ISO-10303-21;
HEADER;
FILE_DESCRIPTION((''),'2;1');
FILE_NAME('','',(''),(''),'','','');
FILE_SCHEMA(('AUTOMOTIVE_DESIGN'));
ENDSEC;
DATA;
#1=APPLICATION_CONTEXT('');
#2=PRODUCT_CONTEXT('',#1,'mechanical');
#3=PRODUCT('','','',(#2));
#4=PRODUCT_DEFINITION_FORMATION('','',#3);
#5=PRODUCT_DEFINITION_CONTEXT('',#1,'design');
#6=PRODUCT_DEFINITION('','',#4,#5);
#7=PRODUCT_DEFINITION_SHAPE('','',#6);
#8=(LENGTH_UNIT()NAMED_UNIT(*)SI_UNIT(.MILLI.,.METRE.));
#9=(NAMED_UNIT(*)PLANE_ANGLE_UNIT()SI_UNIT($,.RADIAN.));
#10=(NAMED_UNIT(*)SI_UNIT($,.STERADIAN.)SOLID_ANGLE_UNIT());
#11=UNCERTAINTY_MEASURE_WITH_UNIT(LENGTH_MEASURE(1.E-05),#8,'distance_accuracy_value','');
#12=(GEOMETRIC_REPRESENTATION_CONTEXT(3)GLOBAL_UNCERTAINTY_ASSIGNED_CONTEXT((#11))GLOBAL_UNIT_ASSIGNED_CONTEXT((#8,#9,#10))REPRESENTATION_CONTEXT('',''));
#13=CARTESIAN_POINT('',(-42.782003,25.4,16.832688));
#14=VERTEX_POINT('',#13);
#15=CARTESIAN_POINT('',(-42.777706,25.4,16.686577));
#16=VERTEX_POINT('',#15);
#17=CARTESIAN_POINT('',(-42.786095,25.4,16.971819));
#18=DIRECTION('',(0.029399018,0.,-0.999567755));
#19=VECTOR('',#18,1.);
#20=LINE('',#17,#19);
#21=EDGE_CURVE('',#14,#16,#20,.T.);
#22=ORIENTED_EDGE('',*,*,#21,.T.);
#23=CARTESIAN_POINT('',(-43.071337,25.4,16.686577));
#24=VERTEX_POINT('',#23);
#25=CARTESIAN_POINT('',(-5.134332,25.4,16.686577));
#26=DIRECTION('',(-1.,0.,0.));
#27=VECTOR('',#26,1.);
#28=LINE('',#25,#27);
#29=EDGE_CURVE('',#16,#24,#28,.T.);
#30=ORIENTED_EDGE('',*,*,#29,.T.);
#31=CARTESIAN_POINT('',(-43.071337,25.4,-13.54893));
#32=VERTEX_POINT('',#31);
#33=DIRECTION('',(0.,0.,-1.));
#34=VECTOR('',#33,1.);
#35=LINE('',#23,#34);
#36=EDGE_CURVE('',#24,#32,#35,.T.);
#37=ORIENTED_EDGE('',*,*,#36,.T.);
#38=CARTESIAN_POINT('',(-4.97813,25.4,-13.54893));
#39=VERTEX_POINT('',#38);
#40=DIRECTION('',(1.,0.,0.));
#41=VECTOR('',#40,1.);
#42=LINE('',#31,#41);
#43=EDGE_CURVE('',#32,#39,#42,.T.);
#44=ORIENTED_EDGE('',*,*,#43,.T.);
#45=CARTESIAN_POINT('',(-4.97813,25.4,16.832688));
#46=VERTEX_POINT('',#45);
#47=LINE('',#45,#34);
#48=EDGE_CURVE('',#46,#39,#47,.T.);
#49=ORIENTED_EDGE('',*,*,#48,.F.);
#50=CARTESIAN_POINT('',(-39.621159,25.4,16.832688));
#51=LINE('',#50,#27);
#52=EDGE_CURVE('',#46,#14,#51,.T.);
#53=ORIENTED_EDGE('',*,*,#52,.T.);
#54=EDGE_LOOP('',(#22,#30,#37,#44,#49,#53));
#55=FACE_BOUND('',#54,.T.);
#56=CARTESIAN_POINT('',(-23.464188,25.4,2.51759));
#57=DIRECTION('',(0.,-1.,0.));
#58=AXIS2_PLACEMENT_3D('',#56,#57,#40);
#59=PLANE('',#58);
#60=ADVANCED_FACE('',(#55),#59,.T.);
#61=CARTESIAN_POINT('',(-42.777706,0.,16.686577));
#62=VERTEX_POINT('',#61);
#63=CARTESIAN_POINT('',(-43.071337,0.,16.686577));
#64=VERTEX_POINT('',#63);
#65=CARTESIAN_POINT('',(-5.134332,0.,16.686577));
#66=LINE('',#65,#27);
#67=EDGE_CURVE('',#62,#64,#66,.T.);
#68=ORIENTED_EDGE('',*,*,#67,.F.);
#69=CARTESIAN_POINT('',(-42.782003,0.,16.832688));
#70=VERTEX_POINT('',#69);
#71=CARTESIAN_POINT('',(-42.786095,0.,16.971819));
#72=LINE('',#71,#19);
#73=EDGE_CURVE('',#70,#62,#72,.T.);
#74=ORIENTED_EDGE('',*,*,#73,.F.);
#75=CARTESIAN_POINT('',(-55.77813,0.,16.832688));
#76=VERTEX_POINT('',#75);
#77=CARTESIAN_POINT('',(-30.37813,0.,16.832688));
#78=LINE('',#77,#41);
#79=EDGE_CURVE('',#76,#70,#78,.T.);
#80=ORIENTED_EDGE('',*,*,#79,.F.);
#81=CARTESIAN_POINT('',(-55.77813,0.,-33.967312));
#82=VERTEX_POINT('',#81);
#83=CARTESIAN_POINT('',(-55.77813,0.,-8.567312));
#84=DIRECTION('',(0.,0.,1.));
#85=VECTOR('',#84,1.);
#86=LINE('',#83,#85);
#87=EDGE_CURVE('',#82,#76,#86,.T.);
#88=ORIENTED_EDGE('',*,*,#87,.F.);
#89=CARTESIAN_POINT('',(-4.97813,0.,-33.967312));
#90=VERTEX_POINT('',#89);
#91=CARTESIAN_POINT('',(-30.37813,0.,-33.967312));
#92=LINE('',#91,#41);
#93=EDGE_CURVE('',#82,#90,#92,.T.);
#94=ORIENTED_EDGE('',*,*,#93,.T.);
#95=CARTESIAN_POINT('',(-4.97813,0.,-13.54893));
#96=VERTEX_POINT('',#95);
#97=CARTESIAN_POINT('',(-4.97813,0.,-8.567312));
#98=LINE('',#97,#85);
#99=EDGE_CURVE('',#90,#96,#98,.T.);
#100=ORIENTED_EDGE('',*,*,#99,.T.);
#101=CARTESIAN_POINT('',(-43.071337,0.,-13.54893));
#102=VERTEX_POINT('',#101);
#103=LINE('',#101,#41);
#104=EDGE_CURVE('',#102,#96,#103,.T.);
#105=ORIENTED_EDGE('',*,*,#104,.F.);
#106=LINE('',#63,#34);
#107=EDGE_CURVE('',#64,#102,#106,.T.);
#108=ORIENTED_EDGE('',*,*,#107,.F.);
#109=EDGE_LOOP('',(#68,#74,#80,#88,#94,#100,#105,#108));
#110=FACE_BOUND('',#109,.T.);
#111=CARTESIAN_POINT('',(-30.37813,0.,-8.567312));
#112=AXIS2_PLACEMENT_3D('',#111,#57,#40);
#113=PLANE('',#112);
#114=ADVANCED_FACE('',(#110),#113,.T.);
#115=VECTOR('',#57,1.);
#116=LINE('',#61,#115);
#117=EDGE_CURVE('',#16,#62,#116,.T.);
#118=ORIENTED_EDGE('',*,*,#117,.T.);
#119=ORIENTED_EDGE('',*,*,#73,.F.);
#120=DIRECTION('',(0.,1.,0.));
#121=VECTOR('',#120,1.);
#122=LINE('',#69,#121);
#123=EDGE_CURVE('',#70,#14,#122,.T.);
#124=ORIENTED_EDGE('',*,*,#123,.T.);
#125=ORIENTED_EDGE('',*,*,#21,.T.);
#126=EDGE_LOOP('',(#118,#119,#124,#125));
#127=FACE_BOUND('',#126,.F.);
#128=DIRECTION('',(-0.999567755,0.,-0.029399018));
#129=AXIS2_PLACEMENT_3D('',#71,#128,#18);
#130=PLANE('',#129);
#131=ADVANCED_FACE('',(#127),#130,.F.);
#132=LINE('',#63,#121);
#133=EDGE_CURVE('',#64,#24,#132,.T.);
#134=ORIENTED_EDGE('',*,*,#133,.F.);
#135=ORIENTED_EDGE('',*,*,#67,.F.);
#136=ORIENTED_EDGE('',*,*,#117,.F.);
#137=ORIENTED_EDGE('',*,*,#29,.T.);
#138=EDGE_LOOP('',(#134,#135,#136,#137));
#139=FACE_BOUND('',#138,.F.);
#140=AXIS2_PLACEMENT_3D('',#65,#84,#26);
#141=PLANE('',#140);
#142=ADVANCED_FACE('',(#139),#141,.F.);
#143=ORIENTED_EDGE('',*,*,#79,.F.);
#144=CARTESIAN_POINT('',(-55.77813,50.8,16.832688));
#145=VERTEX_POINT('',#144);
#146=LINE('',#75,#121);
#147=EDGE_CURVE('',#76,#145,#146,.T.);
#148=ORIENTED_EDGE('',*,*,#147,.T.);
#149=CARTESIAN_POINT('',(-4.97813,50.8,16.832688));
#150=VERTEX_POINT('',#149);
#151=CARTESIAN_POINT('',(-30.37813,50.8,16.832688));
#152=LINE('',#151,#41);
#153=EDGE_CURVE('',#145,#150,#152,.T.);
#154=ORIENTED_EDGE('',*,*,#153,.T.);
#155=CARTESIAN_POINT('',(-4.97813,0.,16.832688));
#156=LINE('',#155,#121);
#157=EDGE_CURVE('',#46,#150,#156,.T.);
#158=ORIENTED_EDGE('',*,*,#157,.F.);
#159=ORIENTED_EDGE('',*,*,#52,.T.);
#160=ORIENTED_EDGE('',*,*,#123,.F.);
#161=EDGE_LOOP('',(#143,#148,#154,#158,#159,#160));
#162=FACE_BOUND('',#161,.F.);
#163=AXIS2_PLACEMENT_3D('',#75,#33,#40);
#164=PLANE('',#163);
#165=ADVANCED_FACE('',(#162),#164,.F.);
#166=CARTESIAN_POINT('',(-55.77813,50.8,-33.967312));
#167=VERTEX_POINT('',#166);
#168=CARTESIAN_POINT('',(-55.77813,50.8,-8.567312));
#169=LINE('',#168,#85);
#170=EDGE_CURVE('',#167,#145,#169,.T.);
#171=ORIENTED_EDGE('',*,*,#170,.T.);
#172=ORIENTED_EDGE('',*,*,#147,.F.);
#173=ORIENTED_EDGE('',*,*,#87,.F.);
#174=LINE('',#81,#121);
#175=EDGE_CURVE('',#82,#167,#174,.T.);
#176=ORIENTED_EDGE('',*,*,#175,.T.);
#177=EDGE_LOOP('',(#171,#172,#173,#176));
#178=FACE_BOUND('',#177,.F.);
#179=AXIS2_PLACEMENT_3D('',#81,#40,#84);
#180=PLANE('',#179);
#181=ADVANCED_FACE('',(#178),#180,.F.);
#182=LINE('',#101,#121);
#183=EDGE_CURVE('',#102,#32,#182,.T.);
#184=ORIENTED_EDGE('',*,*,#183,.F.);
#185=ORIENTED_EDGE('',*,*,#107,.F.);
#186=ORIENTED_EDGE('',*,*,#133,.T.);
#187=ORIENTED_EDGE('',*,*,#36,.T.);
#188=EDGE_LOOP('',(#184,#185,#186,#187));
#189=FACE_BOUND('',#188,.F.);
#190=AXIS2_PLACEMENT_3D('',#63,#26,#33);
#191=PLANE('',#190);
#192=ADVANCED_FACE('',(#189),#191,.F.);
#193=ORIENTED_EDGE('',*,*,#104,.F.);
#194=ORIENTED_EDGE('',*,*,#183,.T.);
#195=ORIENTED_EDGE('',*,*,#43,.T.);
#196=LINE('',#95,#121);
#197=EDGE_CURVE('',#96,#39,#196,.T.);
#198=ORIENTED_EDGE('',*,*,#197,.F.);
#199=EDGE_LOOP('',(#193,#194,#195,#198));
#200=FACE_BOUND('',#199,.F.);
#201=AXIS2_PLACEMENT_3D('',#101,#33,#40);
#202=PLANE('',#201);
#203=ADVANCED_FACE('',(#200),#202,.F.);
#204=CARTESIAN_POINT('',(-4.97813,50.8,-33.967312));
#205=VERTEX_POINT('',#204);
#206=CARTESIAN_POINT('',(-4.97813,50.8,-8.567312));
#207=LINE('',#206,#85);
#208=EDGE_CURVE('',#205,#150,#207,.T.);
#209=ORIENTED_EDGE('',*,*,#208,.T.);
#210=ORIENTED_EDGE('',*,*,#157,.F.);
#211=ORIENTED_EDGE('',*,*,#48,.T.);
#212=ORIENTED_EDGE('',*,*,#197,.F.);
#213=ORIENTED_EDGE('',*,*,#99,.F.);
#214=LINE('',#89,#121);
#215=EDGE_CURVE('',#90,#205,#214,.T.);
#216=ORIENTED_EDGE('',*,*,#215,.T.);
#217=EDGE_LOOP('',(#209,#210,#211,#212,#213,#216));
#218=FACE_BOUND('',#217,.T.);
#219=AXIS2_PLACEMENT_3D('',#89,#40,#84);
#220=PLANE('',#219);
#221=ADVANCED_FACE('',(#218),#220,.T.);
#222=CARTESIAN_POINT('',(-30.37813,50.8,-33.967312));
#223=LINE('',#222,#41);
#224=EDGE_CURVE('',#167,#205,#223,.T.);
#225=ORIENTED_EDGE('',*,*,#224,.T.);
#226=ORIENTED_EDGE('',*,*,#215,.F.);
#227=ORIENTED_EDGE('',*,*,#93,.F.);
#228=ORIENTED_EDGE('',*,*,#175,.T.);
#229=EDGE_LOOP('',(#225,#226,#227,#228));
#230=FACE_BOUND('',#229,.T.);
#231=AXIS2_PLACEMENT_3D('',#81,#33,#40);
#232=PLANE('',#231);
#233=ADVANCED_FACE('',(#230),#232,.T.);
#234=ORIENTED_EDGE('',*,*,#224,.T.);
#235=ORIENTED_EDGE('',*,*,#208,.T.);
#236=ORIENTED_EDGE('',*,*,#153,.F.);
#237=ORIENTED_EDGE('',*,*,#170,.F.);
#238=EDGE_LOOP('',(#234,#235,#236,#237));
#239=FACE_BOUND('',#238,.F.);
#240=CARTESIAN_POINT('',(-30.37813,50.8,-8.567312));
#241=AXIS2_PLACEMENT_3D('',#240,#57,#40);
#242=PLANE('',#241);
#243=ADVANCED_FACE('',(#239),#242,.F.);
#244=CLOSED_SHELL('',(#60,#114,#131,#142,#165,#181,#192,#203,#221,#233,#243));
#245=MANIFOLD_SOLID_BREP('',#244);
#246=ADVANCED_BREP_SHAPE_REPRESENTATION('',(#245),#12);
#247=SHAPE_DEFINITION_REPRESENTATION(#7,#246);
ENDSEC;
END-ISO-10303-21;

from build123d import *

# Parameters (mm, degrees)
F0_W     = 50.8
F0_H     = 50.8
F1_DEPTH = 50.8
F3_DEPTH = 25.4
F5_DEPTH = 25.4


with BuildPart() as f1:
    # F0 (on Front) → F1 (new body)
    with BuildSketch(Plane.XZ):
        with Locations((-30.37813, -8.567312)):
            Rectangle(F0_W, F0_H)
    extrude(amount=-F1_DEPTH)

    # F2 (on Front) → F3 (cut)
    with BuildSketch(Plane.XZ):
        Polygon((-43.071337, -13.54893), (-4.849092, -13.54893), (-5.134332, 16.686577), (-43.071337, 16.686577), align=None)
    extrude(amount=-F3_DEPTH, mode=Mode.SUBTRACT)

    # F4 (on Front) → F5 (cut)
    with BuildSketch(Plane.XZ):
        Polygon((-4.563851, 16.971819), (-42.786095, 16.971819), (-41.930374, -12.122728), (-4.563851, -12.122728), align=None)
    extrude(amount=-F5_DEPTH, mode=Mode.SUBTRACT)


solid = f1.part
